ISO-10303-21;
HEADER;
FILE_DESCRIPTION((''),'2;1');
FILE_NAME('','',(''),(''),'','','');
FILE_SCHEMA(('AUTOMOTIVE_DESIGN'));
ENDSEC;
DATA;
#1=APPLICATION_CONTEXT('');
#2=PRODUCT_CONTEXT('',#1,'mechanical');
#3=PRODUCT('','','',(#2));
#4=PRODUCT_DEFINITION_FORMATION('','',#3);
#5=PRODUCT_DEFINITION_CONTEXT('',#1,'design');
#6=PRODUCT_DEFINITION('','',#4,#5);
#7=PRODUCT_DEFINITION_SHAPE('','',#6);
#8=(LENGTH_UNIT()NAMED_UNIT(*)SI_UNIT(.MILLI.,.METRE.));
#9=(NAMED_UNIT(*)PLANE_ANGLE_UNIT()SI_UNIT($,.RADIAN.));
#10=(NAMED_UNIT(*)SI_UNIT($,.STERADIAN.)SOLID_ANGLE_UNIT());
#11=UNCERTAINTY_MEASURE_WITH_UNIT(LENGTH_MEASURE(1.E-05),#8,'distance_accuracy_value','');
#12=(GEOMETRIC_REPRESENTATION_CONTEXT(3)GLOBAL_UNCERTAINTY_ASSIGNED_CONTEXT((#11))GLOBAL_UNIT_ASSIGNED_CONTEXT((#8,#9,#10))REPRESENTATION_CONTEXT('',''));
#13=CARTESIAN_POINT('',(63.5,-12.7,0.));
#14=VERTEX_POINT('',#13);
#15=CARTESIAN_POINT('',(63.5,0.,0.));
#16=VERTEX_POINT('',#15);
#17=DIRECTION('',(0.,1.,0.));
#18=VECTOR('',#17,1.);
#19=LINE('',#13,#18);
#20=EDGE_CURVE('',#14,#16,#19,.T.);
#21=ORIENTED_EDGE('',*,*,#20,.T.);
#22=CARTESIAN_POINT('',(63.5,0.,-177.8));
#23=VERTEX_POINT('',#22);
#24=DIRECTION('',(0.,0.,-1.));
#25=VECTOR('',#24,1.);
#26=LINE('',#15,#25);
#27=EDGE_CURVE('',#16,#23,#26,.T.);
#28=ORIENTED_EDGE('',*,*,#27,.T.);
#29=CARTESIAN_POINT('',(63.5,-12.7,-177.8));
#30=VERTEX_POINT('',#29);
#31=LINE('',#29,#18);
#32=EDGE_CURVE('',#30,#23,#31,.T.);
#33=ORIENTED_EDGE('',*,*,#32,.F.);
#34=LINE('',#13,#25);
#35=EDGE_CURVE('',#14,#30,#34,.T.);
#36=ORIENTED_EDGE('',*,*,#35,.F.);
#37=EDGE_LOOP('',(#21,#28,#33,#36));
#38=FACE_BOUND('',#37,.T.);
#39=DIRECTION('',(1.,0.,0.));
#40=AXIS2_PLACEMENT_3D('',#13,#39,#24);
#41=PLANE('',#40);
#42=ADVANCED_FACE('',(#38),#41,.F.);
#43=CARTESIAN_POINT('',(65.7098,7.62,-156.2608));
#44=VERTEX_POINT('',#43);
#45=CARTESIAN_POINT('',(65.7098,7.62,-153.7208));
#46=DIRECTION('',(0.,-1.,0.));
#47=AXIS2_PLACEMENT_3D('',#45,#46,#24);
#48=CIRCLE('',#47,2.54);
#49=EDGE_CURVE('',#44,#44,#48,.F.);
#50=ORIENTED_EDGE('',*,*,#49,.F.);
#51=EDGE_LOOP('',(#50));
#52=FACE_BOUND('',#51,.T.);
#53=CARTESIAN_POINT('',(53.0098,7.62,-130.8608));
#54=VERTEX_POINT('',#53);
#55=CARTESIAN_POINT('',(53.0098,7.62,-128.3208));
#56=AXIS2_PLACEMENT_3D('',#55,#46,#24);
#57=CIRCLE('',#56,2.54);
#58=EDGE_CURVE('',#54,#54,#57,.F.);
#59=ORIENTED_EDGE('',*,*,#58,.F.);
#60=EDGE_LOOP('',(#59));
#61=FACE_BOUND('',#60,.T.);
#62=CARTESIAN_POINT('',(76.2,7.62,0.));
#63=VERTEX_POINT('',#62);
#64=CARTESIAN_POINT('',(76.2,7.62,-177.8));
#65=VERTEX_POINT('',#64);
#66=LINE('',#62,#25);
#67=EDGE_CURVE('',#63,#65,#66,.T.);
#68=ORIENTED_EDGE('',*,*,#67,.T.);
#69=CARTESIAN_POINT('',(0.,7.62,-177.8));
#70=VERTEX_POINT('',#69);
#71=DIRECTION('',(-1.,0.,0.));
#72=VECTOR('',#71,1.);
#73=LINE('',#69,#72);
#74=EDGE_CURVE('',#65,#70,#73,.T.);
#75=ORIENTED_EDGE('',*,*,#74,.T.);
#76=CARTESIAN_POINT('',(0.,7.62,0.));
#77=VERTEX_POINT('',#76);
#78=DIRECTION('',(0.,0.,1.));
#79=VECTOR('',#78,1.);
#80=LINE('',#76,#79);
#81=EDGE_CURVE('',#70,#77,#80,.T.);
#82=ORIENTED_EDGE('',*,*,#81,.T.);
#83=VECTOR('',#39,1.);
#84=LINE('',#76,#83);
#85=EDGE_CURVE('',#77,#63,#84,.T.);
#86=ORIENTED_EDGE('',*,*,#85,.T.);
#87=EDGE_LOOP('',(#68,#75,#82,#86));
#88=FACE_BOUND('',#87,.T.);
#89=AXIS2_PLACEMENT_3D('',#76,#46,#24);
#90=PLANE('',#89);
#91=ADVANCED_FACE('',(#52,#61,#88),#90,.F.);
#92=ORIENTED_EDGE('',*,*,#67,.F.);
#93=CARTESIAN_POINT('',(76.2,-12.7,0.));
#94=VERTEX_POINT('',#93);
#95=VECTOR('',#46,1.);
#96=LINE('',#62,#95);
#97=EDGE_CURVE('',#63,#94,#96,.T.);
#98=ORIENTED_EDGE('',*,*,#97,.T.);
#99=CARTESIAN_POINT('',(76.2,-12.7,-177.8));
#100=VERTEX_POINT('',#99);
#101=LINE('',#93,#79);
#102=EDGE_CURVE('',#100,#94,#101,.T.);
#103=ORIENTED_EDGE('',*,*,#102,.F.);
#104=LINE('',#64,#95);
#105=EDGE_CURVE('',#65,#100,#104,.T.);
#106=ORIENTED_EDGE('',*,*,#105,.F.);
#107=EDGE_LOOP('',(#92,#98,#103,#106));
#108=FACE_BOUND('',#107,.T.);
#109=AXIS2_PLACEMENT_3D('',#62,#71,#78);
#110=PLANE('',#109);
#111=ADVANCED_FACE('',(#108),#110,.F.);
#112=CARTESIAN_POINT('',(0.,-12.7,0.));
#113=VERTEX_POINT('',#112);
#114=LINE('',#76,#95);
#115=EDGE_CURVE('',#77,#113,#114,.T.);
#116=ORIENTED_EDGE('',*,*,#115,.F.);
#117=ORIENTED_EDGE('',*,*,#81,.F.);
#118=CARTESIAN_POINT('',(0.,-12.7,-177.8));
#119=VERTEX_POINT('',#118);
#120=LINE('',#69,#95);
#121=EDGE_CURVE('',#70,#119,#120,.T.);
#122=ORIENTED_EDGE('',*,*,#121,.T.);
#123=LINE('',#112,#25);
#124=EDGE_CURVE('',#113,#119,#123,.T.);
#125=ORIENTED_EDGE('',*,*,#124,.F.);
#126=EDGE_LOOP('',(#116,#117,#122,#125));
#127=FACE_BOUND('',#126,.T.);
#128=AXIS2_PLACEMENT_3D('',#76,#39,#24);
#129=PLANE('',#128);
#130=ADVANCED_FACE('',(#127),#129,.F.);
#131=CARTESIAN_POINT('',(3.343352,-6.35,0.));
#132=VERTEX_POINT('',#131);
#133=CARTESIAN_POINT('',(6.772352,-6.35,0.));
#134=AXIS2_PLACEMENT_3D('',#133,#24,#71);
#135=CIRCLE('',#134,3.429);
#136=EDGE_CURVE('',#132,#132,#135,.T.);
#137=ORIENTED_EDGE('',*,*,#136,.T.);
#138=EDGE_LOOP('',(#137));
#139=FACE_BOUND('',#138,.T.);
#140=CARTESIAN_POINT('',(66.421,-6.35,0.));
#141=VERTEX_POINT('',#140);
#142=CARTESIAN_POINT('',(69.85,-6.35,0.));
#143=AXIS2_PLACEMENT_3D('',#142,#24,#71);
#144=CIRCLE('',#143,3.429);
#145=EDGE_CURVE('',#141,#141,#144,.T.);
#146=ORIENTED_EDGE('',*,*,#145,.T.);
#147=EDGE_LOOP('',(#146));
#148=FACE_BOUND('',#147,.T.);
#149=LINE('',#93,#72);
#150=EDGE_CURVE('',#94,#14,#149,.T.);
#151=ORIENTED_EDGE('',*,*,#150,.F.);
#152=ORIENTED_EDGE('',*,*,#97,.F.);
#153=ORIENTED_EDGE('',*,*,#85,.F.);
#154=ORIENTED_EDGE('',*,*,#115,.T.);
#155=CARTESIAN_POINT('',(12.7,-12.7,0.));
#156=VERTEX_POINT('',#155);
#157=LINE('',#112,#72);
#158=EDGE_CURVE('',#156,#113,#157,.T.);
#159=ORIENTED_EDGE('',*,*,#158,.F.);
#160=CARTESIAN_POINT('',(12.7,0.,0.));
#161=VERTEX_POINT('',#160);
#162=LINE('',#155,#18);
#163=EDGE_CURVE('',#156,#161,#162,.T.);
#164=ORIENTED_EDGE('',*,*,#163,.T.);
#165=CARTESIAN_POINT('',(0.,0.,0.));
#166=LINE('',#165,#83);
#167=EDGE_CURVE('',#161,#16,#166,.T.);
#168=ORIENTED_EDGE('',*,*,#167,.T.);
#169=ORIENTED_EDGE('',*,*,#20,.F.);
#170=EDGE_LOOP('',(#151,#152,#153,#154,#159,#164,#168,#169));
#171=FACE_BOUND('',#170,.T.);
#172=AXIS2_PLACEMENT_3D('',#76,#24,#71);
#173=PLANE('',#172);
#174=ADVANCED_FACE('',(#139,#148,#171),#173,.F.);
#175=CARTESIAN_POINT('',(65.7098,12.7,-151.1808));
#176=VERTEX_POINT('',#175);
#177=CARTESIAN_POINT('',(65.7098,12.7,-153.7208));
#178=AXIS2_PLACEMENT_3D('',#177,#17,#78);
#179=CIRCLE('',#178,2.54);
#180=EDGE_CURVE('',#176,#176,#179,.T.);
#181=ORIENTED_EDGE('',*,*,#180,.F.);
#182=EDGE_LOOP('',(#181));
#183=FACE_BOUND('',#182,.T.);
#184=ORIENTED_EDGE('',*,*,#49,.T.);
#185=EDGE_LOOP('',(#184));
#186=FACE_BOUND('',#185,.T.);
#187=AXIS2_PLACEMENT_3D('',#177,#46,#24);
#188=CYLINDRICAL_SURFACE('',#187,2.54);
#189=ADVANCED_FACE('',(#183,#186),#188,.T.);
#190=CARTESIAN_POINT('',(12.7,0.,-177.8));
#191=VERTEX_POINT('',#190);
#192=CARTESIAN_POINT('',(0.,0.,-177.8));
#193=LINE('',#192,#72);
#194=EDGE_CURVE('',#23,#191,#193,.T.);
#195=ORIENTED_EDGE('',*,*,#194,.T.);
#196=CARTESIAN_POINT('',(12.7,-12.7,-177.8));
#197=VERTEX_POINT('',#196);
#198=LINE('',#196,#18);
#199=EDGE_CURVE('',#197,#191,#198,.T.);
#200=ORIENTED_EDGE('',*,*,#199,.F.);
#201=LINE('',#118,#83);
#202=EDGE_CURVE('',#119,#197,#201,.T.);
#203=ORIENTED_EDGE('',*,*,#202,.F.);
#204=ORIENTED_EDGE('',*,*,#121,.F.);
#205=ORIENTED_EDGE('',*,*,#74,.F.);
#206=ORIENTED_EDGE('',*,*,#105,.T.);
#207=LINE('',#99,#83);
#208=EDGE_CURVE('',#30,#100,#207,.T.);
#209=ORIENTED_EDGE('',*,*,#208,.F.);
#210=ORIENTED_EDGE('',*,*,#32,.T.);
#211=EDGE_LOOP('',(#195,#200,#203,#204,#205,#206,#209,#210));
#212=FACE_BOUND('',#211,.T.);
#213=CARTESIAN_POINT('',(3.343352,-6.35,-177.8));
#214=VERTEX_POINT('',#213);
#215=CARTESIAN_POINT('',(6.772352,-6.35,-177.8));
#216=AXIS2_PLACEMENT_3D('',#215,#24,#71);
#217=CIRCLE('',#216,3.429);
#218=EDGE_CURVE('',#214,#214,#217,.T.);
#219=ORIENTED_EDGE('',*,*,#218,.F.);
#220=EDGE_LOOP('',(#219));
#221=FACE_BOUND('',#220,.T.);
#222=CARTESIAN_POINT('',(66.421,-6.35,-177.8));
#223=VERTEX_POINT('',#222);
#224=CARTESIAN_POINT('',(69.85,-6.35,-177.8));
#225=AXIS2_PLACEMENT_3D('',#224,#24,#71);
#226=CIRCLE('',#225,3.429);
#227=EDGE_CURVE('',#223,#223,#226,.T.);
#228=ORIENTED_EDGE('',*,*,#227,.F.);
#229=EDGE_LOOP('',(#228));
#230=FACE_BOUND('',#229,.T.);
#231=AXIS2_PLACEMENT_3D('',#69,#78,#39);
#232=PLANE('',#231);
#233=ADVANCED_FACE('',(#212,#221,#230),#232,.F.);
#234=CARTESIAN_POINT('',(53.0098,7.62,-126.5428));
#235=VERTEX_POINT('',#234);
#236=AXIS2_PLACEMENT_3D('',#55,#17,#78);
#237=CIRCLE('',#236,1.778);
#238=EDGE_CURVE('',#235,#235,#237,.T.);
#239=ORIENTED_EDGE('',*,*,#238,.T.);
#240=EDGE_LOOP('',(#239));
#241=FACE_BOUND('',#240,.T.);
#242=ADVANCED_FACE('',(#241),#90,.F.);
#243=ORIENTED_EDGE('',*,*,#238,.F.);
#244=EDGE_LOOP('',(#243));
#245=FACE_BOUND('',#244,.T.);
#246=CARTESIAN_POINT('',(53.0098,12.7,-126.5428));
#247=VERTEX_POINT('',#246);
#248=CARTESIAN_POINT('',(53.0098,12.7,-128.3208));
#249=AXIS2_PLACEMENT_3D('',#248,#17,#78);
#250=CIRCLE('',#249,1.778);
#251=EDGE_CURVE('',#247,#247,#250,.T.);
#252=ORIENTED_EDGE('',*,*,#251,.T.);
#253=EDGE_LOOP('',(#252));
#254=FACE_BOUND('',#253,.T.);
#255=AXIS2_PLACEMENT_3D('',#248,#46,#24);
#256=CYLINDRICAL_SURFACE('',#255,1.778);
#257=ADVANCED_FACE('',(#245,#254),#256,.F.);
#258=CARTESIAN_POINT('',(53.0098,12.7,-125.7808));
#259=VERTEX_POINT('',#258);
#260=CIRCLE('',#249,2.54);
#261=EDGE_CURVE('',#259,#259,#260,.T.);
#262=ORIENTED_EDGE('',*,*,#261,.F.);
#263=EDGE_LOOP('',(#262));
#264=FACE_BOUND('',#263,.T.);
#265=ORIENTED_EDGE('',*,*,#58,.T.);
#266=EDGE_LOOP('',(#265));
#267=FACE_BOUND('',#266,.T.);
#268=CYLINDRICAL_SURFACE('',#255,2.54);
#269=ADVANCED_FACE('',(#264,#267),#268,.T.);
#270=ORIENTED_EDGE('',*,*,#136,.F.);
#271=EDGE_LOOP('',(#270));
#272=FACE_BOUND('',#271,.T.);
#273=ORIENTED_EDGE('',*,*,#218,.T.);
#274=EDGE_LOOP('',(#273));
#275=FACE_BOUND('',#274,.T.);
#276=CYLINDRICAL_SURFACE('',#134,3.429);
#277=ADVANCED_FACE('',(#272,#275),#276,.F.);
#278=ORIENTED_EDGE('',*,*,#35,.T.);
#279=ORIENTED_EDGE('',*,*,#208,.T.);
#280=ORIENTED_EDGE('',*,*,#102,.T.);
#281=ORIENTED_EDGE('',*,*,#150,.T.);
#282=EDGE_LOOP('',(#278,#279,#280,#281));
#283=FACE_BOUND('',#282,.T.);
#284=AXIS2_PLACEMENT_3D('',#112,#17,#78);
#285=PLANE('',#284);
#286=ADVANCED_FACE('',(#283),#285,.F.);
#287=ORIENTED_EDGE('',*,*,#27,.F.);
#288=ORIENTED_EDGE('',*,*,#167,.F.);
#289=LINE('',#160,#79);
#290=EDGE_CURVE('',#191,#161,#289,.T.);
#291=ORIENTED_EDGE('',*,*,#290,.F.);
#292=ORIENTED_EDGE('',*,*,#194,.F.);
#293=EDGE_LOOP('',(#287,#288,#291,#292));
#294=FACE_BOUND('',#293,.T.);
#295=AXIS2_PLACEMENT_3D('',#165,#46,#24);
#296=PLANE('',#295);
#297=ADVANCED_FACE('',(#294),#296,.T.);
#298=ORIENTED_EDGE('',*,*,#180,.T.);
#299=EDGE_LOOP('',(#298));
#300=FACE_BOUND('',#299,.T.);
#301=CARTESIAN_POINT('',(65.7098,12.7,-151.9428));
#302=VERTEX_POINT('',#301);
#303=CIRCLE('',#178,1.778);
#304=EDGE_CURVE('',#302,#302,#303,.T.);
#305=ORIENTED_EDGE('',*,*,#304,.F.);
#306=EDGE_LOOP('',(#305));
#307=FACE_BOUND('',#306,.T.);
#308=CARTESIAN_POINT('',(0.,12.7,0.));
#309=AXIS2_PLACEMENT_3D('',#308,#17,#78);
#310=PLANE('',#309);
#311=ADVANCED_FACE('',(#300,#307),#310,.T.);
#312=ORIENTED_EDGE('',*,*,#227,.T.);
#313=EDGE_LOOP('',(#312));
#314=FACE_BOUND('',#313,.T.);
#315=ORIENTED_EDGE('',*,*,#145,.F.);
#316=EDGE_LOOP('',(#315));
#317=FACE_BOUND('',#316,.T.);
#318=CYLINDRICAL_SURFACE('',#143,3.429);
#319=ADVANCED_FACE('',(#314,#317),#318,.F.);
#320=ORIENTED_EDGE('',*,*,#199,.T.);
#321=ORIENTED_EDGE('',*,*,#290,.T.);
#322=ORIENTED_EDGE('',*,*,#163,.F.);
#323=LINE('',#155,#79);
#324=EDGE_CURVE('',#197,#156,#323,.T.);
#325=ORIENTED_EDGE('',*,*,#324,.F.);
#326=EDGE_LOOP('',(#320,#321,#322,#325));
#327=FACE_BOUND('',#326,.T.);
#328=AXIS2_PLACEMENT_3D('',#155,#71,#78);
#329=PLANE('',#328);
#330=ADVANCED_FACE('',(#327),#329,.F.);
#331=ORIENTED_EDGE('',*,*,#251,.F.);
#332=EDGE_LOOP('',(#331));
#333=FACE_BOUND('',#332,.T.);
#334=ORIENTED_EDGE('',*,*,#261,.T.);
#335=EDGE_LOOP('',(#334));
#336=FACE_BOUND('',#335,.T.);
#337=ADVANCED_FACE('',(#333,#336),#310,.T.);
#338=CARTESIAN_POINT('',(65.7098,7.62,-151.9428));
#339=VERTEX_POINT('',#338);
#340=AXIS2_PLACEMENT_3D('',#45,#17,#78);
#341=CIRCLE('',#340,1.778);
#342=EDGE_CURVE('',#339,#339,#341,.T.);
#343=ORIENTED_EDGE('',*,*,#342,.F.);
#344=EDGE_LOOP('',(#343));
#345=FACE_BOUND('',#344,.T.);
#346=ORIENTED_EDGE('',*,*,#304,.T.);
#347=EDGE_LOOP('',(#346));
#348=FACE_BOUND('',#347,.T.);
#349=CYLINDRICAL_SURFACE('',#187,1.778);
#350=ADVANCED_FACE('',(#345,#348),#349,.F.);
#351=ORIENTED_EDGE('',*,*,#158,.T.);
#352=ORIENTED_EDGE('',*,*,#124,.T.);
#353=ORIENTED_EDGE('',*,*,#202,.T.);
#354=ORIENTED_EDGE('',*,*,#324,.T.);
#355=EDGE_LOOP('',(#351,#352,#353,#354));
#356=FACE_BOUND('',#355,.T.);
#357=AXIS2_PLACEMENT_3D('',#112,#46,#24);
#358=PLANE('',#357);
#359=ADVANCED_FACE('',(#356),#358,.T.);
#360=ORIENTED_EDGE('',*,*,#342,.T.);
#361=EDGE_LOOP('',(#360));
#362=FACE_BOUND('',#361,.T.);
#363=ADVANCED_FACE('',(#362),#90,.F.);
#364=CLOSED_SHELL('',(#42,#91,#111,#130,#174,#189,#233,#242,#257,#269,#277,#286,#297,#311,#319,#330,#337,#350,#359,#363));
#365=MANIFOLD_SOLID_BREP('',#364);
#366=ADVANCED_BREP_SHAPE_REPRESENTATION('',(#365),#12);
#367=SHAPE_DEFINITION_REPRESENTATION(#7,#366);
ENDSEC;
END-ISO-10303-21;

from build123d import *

# Parameters (mm, degrees)
SKETCH1_W           = 76.2
SKETCH1_H           = 177.8
BOSS_EXTRUDE1_DEPTH = 7.62
SKETCH4_W           = 12.7
SKETCH4_H           = 177.8
BOSS_EXTRUDE2_DEPTH = 12.7
SKETCH5_R           = 3.429
CUT_EXTRUDE1_DEPTH  = 178.8
SKETCH6_R           = 2.54
SKETCH6_R_2         = 1.778
BOSS_EXTRUDE3_DEPTH = 5.08


with BuildPart() as part:
    # Sketch1 → Boss-Extrude1 (new body)
    with BuildSketch(Plane(origin=(0, 0, 0), x_dir=(1, 0, 0), z_dir=(0, 1, 0))):
        with Locations((38.1, 88.9)):
            Rectangle(SKETCH1_W, SKETCH1_H)
    extrude(amount=BOSS_EXTRUDE1_DEPTH)

    # Sketch4 → Boss-Extrude2 (add)
    with BuildSketch(Plane.XZ):
        with Locations((6.35, -88.9)):
            Rectangle(SKETCH4_W, SKETCH4_H)
        with Locations((69.85, -88.9)):
            Rectangle(SKETCH4_W, SKETCH4_H)
    extrude(amount=BOSS_EXTRUDE2_DEPTH)

    # Sketch5 → Cut-Extrude1 (cut, through all)
    with BuildSketch(Plane(origin=(0, 0, -177.8), x_dir=(-1, 0, 0), z_dir=(0, 0, -1))):
        with Locations((-69.85, -6.35)):
            Circle(SKETCH5_R)
        with Locations((-6.772351806, -6.35)):
            Circle(SKETCH5_R)
    extrude(amount=-CUT_EXTRUDE1_DEPTH, mode=Mode.SUBTRACT)

    # Sketch6 → Boss-Extrude3 (add)
    with BuildSketch(Plane(origin=(0, 7.62, 0), x_dir=(1, 0, 0), z_dir=(0, 1, 0))):
        with Locations((53.0098, 128.3208)):
            Circle(SKETCH6_R)
        with Locations((53.0098, 128.3208)):
            Circle(SKETCH6_R_2, mode=Mode.SUBTRACT)
        with Locations((65.7098, 153.7208)):
            Circle(SKETCH6_R)
        with Locations((65.7098, 153.7208)):
            Circle(SKETCH6_R_2, mode=Mode.SUBTRACT)
    extrude(amount=BOSS_EXTRUDE3_DEPTH)


solid = part.part
